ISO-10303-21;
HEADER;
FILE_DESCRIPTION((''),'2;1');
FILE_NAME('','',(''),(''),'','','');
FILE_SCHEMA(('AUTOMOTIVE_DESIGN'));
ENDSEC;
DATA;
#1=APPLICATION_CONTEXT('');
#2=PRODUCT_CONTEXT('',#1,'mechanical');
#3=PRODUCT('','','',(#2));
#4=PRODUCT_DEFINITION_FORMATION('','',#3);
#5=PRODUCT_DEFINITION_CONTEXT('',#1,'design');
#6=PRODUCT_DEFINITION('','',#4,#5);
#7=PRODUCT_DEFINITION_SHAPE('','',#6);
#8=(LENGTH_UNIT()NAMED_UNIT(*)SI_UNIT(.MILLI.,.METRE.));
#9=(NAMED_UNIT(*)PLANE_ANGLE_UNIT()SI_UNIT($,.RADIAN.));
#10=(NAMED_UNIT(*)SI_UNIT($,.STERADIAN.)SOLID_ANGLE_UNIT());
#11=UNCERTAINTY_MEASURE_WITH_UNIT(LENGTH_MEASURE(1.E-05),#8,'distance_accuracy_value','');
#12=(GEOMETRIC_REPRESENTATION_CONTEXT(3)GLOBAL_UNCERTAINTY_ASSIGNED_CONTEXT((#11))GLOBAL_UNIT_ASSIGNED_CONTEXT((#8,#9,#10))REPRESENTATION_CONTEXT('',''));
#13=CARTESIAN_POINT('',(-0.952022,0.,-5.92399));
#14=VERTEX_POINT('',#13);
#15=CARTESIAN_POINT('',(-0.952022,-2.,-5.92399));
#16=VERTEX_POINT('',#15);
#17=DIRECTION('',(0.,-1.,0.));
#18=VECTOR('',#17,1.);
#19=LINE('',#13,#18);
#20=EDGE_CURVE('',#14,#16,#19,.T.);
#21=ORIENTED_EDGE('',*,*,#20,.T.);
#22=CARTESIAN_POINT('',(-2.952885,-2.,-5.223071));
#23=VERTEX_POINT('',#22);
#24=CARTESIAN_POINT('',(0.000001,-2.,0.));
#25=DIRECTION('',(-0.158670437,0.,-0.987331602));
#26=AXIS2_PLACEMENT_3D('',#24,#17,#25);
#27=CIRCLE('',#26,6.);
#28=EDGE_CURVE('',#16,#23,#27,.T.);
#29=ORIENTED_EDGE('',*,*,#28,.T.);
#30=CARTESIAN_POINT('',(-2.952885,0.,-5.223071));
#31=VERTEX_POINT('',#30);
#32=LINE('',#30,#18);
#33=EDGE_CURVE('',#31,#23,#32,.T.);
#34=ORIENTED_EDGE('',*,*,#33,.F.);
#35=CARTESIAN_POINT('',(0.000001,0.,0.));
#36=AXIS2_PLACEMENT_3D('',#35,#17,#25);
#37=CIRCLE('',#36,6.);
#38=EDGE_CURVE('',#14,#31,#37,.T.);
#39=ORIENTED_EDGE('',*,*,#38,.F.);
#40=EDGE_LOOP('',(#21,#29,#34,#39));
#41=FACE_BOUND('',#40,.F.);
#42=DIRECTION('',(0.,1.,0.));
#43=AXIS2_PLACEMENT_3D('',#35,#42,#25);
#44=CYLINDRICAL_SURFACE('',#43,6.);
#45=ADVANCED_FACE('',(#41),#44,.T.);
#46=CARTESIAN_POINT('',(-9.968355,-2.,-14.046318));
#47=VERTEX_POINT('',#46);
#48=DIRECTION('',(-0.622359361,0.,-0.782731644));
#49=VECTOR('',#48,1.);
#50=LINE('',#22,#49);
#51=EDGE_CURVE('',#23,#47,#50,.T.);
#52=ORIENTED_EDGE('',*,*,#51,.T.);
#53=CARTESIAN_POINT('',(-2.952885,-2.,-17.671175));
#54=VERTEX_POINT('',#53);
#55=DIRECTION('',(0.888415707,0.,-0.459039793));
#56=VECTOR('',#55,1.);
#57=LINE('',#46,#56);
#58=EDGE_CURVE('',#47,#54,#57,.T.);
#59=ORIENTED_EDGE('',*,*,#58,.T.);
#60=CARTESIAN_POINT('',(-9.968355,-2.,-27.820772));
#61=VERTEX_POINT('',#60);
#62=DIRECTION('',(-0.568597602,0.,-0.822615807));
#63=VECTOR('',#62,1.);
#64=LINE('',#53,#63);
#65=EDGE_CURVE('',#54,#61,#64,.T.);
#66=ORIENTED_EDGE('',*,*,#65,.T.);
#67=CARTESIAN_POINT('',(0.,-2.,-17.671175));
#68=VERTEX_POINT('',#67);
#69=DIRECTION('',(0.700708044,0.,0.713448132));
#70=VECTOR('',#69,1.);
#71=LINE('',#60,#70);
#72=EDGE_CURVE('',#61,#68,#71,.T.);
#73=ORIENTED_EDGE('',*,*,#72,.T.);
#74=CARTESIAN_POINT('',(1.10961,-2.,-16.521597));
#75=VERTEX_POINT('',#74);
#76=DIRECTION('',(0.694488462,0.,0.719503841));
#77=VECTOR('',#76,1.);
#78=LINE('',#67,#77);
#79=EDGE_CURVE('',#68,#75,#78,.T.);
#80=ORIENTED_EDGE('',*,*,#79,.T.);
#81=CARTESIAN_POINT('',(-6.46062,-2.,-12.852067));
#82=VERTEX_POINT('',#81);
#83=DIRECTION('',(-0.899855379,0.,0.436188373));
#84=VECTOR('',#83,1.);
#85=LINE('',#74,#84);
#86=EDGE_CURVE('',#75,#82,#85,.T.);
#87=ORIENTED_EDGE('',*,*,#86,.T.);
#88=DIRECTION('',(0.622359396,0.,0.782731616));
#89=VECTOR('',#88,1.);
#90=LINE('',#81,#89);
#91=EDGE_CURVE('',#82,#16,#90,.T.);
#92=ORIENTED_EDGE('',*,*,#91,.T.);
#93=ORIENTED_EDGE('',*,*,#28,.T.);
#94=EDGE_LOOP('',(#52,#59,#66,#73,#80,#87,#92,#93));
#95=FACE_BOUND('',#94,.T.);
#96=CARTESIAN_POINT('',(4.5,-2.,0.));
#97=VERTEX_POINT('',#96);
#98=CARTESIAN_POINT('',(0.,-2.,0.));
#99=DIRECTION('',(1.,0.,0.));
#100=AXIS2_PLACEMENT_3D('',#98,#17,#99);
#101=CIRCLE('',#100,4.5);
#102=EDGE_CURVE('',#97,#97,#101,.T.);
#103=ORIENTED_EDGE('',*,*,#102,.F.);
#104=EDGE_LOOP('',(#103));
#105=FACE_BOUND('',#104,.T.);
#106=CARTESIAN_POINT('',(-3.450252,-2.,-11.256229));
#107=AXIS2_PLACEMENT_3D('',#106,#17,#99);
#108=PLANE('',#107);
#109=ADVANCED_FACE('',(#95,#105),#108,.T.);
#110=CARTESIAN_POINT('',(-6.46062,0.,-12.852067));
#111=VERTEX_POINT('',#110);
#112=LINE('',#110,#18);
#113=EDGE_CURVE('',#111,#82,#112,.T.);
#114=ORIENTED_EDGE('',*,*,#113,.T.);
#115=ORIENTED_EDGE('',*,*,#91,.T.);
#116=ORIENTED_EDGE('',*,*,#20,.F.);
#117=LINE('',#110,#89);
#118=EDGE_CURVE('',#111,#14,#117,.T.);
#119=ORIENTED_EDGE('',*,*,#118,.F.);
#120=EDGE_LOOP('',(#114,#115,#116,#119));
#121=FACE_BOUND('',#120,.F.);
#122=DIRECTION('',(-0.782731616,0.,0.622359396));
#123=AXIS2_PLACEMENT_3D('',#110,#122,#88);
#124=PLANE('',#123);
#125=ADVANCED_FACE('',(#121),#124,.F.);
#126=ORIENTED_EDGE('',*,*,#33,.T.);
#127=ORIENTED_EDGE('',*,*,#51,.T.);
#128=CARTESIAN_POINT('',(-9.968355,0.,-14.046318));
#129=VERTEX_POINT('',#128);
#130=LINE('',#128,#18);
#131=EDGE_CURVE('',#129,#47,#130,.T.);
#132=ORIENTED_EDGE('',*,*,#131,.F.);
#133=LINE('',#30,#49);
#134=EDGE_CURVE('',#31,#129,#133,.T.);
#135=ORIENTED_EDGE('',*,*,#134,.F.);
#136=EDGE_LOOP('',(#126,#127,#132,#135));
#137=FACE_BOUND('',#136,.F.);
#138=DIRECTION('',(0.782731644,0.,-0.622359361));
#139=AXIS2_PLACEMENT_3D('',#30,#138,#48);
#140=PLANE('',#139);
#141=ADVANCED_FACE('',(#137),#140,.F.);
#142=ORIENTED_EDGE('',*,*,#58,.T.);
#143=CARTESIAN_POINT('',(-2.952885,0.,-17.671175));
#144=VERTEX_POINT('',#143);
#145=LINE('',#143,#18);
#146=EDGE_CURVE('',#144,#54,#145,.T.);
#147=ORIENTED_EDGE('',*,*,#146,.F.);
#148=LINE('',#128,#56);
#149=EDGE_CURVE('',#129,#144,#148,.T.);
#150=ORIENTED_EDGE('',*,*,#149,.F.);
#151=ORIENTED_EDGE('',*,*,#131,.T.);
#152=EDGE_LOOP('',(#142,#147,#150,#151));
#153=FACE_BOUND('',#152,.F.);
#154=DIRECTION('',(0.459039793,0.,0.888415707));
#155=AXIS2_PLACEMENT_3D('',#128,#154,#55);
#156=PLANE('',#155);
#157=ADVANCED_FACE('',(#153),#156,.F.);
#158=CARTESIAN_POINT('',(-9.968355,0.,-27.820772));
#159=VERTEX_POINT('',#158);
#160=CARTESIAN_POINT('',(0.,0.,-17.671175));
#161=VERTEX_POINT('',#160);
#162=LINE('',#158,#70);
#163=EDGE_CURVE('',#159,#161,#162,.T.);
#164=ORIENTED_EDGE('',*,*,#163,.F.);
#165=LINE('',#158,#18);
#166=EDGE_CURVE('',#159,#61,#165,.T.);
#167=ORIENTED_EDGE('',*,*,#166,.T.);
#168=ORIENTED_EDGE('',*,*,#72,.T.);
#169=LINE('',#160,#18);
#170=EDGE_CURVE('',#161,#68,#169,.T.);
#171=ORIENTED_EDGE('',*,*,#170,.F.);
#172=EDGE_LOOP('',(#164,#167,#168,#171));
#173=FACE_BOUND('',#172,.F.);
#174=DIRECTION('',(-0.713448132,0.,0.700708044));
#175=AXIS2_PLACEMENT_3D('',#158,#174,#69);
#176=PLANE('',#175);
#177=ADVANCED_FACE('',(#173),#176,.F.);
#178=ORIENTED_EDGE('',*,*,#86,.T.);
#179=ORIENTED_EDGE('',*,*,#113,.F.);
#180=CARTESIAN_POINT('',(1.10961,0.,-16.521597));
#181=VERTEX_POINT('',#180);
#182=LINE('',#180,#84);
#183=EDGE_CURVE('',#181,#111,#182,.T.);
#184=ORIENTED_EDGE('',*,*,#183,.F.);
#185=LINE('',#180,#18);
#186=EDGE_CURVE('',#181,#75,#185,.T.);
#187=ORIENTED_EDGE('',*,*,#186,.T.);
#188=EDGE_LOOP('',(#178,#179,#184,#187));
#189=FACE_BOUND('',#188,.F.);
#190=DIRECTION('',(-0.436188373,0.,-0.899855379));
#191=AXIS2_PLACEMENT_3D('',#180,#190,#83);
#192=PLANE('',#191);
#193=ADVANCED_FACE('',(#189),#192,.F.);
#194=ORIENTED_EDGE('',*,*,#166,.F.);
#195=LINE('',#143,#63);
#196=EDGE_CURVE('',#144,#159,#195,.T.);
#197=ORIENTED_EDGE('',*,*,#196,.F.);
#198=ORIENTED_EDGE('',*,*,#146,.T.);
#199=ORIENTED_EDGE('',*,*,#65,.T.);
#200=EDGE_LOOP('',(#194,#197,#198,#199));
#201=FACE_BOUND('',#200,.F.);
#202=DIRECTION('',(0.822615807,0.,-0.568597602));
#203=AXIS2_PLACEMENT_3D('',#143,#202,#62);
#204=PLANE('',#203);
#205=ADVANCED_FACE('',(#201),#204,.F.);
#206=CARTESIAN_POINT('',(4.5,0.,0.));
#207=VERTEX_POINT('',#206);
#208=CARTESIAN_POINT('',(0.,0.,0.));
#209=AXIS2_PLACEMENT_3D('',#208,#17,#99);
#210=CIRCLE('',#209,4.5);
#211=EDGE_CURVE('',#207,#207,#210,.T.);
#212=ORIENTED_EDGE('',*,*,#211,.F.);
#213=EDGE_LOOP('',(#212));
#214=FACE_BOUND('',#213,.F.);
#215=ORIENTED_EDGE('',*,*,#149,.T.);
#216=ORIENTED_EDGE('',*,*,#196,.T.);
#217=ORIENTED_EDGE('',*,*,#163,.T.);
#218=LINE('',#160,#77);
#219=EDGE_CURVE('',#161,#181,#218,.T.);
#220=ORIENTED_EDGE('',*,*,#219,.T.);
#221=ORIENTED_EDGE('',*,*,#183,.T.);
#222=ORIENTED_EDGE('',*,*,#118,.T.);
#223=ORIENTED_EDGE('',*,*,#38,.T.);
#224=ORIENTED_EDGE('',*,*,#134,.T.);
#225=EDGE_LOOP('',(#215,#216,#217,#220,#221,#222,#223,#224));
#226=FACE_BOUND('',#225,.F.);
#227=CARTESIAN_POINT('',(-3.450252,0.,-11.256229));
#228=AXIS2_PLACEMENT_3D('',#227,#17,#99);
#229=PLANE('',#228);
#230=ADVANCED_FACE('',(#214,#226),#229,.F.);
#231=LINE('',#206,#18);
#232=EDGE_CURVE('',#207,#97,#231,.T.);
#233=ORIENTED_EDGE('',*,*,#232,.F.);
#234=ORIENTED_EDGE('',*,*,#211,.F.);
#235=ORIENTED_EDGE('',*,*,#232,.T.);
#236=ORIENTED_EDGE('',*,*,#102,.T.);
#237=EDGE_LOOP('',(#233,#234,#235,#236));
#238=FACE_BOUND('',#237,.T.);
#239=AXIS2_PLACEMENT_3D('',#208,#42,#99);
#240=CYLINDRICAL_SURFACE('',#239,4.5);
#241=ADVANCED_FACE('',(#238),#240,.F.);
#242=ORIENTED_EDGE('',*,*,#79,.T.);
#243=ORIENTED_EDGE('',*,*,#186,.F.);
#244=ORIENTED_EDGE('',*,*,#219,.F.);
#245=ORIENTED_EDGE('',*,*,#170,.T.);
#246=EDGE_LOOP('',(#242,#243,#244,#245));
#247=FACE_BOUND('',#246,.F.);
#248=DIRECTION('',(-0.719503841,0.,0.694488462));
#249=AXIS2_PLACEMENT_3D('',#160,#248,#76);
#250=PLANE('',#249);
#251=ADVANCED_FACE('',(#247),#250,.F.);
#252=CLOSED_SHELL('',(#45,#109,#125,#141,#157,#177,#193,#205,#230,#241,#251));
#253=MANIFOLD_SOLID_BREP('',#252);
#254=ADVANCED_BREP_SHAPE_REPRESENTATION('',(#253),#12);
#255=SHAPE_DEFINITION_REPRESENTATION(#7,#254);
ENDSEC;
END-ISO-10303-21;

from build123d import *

# Parameters (mm, degrees)
F0_R     = 4.5
F1_DEPTH = 2


with BuildPart() as f1:
    # F0 (on Front) → F1 (new body)
    with BuildSketch(Plane.XZ):
        with BuildLine():
            Line((-6.46062, -12.852067), (-0.952022, -5.92399))
            ThreePointArc((-0.952022, -5.92399), (1.983657, 5.662606), (-2.952885, -5.223071))
            Line((-2.952885, -5.223071), (-9.968355, -14.046318))
            Line((-9.968355, -14.046318), (-2.952885, -17.671175))
            Line((-2.952885, -17.671175), (-9.968355, -27.820772))
            Line((-9.968355, -27.820772), (0, -17.671175))
            Line((0, -17.671175), (1.10961, -16.521597))
            Line((1.10961, -16.521597), (-6.46062, -12.852067))
        make_face()
        Circle(F0_R, mode=Mode.SUBTRACT)
    extrude(amount=F1_DEPTH)


solid = f1.part
